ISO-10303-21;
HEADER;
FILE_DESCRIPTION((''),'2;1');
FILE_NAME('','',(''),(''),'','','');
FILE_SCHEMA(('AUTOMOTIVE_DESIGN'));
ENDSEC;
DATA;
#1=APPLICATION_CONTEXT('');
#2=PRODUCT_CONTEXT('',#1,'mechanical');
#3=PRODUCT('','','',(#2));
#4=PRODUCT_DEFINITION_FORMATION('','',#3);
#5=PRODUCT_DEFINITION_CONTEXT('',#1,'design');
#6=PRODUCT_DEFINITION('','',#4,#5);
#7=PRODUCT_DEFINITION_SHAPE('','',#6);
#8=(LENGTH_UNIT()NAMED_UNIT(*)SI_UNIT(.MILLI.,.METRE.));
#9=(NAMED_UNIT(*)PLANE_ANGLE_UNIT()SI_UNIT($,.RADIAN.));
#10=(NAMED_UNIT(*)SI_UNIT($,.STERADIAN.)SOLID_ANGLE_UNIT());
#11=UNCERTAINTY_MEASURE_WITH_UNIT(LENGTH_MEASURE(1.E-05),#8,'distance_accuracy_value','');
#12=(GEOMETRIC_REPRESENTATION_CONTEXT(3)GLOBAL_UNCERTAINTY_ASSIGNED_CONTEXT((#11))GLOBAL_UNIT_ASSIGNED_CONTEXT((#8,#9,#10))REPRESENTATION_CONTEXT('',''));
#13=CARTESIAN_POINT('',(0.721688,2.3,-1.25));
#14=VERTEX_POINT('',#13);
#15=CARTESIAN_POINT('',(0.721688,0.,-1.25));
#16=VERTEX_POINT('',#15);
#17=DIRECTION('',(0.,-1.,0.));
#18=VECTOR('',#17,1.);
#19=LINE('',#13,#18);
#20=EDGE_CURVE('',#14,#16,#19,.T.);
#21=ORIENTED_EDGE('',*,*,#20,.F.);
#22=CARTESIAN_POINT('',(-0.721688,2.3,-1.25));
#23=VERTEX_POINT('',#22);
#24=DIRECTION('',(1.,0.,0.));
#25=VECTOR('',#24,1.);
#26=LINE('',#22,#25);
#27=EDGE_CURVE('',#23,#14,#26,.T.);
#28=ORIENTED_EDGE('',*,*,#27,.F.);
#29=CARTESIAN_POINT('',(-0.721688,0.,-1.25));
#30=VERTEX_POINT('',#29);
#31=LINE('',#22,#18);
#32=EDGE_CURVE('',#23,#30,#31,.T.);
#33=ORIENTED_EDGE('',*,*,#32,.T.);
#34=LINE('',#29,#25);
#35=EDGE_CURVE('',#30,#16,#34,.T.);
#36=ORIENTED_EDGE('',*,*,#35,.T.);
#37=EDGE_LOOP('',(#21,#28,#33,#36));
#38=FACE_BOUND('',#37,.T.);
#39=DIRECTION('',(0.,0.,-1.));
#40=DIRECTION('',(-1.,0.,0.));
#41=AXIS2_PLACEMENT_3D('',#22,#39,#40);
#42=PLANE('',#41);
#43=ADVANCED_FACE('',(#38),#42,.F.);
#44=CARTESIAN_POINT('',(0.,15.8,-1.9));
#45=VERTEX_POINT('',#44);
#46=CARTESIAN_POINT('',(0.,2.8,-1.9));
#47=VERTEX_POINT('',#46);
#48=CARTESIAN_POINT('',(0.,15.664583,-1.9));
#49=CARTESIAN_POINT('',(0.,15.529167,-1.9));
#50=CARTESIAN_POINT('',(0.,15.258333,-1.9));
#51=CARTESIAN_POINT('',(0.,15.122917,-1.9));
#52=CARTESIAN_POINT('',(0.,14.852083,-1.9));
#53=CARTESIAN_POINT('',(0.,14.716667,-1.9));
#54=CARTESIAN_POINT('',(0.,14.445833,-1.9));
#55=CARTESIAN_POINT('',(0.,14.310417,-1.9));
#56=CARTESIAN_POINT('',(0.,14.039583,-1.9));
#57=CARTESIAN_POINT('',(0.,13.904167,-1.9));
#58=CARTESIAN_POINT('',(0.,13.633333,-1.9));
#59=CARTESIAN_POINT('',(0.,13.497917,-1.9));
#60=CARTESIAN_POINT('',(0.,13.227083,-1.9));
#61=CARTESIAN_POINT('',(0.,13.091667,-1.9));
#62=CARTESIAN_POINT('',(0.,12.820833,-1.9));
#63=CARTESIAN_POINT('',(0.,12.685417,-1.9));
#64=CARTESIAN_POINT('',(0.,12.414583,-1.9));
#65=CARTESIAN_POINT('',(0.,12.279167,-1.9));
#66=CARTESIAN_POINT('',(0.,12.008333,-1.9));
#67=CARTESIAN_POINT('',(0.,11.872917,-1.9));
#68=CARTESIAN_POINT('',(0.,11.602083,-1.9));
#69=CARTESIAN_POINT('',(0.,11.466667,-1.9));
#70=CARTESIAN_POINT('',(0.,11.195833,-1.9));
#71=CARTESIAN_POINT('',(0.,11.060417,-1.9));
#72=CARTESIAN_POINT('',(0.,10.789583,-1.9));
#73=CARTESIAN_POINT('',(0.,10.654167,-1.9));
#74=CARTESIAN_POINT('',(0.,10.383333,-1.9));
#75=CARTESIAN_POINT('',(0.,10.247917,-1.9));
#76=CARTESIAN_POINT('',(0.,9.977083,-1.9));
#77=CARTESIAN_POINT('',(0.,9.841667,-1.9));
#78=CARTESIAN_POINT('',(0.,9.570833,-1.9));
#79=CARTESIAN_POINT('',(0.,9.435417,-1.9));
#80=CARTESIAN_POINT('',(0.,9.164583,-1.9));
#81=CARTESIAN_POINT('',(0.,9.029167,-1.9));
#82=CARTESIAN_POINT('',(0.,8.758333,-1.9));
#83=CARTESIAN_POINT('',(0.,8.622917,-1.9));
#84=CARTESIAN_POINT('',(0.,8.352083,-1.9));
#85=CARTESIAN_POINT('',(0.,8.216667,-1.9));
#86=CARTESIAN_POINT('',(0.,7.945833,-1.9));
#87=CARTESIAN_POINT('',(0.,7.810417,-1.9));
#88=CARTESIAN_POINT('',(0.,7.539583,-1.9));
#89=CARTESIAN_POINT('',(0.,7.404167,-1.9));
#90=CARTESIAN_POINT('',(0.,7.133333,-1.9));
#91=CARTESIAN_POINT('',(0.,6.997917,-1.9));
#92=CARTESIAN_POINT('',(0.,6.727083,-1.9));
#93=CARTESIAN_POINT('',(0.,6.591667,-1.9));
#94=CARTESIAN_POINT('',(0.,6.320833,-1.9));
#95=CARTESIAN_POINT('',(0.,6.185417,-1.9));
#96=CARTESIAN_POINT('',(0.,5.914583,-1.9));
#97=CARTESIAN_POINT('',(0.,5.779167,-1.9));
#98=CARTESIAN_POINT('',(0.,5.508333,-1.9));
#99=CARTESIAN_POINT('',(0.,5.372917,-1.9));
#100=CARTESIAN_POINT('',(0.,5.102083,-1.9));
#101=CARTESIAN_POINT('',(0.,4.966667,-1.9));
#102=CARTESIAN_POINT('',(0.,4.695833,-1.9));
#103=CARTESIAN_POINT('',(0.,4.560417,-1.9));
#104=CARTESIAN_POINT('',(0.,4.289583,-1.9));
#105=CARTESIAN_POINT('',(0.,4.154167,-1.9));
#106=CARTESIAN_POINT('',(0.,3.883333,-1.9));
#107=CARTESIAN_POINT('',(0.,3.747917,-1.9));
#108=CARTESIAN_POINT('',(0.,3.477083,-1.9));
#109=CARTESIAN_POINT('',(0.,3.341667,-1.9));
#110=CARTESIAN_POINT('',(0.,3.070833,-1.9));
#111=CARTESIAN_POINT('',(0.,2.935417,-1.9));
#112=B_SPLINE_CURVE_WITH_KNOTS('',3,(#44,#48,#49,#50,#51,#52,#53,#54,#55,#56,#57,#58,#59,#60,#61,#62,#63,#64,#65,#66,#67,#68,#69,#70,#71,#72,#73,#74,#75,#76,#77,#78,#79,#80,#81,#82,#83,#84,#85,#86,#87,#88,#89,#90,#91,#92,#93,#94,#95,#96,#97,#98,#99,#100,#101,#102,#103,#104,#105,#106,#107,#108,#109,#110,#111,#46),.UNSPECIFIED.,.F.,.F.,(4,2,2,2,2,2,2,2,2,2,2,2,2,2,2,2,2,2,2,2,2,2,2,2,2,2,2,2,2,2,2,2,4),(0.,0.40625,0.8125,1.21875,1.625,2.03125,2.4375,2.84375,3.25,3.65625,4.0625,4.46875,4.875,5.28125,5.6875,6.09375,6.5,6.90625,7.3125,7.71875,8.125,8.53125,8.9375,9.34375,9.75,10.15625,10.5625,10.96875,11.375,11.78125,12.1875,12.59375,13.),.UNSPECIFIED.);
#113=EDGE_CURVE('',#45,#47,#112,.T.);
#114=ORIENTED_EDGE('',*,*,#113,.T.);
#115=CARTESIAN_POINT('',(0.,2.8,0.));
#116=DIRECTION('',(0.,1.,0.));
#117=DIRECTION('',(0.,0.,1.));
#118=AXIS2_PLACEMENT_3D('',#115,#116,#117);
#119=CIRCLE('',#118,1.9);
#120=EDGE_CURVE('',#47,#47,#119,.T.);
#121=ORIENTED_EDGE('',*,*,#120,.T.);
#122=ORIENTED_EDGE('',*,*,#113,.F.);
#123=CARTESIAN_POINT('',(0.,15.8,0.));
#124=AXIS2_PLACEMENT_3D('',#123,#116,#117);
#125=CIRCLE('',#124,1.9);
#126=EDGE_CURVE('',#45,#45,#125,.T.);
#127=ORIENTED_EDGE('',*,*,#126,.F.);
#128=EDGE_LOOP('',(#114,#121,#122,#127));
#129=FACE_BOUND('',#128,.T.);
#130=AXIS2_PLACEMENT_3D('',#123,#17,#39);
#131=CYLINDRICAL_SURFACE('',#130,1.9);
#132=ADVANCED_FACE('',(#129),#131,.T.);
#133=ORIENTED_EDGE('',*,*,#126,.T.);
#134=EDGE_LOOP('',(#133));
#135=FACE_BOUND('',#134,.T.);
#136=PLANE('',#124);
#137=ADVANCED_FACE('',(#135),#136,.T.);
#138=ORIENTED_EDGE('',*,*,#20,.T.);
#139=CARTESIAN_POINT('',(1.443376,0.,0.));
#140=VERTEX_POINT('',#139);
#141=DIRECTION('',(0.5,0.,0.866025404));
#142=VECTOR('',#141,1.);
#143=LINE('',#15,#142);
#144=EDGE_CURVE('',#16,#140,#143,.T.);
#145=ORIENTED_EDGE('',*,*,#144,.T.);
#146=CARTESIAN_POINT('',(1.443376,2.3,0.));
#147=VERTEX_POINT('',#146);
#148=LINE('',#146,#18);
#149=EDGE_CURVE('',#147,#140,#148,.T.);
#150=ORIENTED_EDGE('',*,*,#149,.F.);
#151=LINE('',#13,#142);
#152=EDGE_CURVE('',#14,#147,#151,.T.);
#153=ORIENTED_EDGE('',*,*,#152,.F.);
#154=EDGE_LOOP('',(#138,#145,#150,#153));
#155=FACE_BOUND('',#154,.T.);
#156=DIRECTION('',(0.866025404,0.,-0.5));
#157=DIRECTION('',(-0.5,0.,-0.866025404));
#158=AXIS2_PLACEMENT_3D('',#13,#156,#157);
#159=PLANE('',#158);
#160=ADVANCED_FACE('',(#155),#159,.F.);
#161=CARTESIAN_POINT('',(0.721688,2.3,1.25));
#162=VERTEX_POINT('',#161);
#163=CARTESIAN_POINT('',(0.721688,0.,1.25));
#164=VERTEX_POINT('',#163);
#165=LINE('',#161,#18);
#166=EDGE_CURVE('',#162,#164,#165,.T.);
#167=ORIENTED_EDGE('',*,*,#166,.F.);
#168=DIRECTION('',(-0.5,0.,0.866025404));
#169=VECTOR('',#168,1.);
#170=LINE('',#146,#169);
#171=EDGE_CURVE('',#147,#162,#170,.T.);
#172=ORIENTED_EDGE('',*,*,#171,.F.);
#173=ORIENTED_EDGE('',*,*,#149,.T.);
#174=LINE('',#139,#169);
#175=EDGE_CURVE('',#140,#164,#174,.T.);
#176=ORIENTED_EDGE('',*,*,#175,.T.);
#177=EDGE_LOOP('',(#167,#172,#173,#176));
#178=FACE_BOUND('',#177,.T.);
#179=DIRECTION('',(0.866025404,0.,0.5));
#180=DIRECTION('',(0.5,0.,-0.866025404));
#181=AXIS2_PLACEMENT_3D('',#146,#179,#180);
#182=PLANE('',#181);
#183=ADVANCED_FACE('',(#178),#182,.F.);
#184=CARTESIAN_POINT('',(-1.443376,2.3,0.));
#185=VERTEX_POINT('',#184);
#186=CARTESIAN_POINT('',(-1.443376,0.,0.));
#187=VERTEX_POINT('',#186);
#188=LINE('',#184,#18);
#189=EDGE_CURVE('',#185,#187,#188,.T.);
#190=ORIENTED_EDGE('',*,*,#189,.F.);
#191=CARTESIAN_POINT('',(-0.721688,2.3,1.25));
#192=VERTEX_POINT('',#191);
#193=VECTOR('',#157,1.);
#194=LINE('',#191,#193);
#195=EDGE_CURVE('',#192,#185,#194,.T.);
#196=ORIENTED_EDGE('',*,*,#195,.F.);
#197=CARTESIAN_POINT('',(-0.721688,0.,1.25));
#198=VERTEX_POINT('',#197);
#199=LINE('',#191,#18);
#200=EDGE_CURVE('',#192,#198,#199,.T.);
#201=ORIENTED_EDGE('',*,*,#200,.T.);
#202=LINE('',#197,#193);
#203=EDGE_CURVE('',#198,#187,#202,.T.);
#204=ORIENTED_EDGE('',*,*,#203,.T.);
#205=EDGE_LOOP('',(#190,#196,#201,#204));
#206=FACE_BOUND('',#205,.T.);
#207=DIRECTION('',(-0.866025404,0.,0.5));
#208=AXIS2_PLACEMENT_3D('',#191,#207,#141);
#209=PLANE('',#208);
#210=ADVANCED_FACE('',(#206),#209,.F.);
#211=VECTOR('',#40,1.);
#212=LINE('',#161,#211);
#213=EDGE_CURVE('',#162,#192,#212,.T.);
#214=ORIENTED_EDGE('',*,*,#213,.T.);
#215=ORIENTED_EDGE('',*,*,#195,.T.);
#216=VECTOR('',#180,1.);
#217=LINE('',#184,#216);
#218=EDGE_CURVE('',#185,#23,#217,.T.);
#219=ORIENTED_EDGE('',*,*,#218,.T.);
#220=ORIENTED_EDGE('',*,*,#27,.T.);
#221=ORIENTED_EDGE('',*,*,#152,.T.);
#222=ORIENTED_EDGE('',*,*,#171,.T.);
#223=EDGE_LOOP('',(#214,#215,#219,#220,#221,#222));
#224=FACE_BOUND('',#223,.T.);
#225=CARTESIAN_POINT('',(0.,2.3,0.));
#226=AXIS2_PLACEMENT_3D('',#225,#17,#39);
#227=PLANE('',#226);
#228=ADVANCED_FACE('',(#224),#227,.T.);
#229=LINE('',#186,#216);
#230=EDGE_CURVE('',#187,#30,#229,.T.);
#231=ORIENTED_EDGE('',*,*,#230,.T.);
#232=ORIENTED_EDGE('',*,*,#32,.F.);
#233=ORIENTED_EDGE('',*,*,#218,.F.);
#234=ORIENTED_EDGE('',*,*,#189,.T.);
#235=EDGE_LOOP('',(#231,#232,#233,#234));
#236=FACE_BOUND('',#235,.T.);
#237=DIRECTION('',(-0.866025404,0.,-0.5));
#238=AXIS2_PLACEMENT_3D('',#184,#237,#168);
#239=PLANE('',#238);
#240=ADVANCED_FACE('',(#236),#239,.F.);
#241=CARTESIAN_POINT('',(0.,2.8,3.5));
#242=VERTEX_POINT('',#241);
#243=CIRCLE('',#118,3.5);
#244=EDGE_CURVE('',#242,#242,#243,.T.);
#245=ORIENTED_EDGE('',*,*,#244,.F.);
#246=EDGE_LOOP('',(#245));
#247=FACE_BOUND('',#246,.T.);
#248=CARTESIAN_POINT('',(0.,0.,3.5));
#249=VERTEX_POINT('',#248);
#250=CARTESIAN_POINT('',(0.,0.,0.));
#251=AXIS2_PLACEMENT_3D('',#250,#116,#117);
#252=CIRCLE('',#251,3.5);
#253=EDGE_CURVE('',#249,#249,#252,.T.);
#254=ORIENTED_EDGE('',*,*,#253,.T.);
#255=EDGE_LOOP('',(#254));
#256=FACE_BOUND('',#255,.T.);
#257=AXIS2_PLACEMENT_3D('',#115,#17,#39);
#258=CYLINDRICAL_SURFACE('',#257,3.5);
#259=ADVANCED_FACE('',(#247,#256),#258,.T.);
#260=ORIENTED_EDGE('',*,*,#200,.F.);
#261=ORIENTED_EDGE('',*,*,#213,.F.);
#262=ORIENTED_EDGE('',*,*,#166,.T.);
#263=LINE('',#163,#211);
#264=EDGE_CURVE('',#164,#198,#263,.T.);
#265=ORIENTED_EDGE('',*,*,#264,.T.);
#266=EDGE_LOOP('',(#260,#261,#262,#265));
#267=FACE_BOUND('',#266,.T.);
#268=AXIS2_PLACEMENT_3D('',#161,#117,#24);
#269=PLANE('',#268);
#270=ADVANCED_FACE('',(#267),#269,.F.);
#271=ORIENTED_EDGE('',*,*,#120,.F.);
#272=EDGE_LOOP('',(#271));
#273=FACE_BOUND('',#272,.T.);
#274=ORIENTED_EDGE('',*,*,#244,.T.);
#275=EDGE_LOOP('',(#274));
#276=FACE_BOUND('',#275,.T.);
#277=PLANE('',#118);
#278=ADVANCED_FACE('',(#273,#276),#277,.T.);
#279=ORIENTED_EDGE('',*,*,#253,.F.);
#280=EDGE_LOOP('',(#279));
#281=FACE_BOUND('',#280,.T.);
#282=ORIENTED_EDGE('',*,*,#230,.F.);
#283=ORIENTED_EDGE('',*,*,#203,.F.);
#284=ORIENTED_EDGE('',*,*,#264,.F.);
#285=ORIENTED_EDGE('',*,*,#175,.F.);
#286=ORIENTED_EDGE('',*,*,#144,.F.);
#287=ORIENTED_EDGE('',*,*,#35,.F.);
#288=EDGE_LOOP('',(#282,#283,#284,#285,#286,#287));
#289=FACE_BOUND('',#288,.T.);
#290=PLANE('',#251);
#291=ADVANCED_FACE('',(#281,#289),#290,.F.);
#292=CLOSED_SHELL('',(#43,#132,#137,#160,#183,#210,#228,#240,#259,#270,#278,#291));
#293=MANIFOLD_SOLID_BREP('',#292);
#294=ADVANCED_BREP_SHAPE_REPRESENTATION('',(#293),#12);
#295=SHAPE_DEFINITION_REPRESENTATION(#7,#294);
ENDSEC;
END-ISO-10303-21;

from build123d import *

# Parameters (mm, degrees)
SKETCH2_R           = 3.5
BOSS_EXTRUDE1_DEPTH = 2.8
SKETCH3_R           = 1.9
BOSS_EXTRUDE2_DEPTH = 13
CUT_EXTRUDE1_DEPTH  = 2.3


with BuildPart() as part:
    # Sketch2 → Boss-Extrude1 (new body)
    with BuildSketch(Plane(origin=(0, 0, 0), x_dir=(1, 0, 0), z_dir=(0, 1, 0))):
        with Locations(Location((0, 0, 0), (0, 0, 270))):
            Circle(SKETCH2_R)
    extrude(amount=BOSS_EXTRUDE1_DEPTH)

    # Sketch3 → Boss-Extrude2 (add)
    with BuildSketch(Plane(origin=(0, 2.8, 0), x_dir=(1, 0, 0), z_dir=(0, 1, 0))):
        with Locations(Location((0, 0, 0), (0, 0, 90))):
            Circle(SKETCH3_R)
    extrude(amount=BOSS_EXTRUDE2_DEPTH)

    # Sketch4 → Cut-Extrude1 (cut)
    with BuildSketch(Plane.XZ):
        Polygon((1.443375673, 0), (0.721687836, 1.25), (-0.721687836, 1.25), (-1.443375673, 0), (-0.721687836, -1.25), (0.721687836, -1.25), align=None)
    extrude(amount=-CUT_EXTRUDE1_DEPTH, mode=Mode.SUBTRACT)


solid = part.part
